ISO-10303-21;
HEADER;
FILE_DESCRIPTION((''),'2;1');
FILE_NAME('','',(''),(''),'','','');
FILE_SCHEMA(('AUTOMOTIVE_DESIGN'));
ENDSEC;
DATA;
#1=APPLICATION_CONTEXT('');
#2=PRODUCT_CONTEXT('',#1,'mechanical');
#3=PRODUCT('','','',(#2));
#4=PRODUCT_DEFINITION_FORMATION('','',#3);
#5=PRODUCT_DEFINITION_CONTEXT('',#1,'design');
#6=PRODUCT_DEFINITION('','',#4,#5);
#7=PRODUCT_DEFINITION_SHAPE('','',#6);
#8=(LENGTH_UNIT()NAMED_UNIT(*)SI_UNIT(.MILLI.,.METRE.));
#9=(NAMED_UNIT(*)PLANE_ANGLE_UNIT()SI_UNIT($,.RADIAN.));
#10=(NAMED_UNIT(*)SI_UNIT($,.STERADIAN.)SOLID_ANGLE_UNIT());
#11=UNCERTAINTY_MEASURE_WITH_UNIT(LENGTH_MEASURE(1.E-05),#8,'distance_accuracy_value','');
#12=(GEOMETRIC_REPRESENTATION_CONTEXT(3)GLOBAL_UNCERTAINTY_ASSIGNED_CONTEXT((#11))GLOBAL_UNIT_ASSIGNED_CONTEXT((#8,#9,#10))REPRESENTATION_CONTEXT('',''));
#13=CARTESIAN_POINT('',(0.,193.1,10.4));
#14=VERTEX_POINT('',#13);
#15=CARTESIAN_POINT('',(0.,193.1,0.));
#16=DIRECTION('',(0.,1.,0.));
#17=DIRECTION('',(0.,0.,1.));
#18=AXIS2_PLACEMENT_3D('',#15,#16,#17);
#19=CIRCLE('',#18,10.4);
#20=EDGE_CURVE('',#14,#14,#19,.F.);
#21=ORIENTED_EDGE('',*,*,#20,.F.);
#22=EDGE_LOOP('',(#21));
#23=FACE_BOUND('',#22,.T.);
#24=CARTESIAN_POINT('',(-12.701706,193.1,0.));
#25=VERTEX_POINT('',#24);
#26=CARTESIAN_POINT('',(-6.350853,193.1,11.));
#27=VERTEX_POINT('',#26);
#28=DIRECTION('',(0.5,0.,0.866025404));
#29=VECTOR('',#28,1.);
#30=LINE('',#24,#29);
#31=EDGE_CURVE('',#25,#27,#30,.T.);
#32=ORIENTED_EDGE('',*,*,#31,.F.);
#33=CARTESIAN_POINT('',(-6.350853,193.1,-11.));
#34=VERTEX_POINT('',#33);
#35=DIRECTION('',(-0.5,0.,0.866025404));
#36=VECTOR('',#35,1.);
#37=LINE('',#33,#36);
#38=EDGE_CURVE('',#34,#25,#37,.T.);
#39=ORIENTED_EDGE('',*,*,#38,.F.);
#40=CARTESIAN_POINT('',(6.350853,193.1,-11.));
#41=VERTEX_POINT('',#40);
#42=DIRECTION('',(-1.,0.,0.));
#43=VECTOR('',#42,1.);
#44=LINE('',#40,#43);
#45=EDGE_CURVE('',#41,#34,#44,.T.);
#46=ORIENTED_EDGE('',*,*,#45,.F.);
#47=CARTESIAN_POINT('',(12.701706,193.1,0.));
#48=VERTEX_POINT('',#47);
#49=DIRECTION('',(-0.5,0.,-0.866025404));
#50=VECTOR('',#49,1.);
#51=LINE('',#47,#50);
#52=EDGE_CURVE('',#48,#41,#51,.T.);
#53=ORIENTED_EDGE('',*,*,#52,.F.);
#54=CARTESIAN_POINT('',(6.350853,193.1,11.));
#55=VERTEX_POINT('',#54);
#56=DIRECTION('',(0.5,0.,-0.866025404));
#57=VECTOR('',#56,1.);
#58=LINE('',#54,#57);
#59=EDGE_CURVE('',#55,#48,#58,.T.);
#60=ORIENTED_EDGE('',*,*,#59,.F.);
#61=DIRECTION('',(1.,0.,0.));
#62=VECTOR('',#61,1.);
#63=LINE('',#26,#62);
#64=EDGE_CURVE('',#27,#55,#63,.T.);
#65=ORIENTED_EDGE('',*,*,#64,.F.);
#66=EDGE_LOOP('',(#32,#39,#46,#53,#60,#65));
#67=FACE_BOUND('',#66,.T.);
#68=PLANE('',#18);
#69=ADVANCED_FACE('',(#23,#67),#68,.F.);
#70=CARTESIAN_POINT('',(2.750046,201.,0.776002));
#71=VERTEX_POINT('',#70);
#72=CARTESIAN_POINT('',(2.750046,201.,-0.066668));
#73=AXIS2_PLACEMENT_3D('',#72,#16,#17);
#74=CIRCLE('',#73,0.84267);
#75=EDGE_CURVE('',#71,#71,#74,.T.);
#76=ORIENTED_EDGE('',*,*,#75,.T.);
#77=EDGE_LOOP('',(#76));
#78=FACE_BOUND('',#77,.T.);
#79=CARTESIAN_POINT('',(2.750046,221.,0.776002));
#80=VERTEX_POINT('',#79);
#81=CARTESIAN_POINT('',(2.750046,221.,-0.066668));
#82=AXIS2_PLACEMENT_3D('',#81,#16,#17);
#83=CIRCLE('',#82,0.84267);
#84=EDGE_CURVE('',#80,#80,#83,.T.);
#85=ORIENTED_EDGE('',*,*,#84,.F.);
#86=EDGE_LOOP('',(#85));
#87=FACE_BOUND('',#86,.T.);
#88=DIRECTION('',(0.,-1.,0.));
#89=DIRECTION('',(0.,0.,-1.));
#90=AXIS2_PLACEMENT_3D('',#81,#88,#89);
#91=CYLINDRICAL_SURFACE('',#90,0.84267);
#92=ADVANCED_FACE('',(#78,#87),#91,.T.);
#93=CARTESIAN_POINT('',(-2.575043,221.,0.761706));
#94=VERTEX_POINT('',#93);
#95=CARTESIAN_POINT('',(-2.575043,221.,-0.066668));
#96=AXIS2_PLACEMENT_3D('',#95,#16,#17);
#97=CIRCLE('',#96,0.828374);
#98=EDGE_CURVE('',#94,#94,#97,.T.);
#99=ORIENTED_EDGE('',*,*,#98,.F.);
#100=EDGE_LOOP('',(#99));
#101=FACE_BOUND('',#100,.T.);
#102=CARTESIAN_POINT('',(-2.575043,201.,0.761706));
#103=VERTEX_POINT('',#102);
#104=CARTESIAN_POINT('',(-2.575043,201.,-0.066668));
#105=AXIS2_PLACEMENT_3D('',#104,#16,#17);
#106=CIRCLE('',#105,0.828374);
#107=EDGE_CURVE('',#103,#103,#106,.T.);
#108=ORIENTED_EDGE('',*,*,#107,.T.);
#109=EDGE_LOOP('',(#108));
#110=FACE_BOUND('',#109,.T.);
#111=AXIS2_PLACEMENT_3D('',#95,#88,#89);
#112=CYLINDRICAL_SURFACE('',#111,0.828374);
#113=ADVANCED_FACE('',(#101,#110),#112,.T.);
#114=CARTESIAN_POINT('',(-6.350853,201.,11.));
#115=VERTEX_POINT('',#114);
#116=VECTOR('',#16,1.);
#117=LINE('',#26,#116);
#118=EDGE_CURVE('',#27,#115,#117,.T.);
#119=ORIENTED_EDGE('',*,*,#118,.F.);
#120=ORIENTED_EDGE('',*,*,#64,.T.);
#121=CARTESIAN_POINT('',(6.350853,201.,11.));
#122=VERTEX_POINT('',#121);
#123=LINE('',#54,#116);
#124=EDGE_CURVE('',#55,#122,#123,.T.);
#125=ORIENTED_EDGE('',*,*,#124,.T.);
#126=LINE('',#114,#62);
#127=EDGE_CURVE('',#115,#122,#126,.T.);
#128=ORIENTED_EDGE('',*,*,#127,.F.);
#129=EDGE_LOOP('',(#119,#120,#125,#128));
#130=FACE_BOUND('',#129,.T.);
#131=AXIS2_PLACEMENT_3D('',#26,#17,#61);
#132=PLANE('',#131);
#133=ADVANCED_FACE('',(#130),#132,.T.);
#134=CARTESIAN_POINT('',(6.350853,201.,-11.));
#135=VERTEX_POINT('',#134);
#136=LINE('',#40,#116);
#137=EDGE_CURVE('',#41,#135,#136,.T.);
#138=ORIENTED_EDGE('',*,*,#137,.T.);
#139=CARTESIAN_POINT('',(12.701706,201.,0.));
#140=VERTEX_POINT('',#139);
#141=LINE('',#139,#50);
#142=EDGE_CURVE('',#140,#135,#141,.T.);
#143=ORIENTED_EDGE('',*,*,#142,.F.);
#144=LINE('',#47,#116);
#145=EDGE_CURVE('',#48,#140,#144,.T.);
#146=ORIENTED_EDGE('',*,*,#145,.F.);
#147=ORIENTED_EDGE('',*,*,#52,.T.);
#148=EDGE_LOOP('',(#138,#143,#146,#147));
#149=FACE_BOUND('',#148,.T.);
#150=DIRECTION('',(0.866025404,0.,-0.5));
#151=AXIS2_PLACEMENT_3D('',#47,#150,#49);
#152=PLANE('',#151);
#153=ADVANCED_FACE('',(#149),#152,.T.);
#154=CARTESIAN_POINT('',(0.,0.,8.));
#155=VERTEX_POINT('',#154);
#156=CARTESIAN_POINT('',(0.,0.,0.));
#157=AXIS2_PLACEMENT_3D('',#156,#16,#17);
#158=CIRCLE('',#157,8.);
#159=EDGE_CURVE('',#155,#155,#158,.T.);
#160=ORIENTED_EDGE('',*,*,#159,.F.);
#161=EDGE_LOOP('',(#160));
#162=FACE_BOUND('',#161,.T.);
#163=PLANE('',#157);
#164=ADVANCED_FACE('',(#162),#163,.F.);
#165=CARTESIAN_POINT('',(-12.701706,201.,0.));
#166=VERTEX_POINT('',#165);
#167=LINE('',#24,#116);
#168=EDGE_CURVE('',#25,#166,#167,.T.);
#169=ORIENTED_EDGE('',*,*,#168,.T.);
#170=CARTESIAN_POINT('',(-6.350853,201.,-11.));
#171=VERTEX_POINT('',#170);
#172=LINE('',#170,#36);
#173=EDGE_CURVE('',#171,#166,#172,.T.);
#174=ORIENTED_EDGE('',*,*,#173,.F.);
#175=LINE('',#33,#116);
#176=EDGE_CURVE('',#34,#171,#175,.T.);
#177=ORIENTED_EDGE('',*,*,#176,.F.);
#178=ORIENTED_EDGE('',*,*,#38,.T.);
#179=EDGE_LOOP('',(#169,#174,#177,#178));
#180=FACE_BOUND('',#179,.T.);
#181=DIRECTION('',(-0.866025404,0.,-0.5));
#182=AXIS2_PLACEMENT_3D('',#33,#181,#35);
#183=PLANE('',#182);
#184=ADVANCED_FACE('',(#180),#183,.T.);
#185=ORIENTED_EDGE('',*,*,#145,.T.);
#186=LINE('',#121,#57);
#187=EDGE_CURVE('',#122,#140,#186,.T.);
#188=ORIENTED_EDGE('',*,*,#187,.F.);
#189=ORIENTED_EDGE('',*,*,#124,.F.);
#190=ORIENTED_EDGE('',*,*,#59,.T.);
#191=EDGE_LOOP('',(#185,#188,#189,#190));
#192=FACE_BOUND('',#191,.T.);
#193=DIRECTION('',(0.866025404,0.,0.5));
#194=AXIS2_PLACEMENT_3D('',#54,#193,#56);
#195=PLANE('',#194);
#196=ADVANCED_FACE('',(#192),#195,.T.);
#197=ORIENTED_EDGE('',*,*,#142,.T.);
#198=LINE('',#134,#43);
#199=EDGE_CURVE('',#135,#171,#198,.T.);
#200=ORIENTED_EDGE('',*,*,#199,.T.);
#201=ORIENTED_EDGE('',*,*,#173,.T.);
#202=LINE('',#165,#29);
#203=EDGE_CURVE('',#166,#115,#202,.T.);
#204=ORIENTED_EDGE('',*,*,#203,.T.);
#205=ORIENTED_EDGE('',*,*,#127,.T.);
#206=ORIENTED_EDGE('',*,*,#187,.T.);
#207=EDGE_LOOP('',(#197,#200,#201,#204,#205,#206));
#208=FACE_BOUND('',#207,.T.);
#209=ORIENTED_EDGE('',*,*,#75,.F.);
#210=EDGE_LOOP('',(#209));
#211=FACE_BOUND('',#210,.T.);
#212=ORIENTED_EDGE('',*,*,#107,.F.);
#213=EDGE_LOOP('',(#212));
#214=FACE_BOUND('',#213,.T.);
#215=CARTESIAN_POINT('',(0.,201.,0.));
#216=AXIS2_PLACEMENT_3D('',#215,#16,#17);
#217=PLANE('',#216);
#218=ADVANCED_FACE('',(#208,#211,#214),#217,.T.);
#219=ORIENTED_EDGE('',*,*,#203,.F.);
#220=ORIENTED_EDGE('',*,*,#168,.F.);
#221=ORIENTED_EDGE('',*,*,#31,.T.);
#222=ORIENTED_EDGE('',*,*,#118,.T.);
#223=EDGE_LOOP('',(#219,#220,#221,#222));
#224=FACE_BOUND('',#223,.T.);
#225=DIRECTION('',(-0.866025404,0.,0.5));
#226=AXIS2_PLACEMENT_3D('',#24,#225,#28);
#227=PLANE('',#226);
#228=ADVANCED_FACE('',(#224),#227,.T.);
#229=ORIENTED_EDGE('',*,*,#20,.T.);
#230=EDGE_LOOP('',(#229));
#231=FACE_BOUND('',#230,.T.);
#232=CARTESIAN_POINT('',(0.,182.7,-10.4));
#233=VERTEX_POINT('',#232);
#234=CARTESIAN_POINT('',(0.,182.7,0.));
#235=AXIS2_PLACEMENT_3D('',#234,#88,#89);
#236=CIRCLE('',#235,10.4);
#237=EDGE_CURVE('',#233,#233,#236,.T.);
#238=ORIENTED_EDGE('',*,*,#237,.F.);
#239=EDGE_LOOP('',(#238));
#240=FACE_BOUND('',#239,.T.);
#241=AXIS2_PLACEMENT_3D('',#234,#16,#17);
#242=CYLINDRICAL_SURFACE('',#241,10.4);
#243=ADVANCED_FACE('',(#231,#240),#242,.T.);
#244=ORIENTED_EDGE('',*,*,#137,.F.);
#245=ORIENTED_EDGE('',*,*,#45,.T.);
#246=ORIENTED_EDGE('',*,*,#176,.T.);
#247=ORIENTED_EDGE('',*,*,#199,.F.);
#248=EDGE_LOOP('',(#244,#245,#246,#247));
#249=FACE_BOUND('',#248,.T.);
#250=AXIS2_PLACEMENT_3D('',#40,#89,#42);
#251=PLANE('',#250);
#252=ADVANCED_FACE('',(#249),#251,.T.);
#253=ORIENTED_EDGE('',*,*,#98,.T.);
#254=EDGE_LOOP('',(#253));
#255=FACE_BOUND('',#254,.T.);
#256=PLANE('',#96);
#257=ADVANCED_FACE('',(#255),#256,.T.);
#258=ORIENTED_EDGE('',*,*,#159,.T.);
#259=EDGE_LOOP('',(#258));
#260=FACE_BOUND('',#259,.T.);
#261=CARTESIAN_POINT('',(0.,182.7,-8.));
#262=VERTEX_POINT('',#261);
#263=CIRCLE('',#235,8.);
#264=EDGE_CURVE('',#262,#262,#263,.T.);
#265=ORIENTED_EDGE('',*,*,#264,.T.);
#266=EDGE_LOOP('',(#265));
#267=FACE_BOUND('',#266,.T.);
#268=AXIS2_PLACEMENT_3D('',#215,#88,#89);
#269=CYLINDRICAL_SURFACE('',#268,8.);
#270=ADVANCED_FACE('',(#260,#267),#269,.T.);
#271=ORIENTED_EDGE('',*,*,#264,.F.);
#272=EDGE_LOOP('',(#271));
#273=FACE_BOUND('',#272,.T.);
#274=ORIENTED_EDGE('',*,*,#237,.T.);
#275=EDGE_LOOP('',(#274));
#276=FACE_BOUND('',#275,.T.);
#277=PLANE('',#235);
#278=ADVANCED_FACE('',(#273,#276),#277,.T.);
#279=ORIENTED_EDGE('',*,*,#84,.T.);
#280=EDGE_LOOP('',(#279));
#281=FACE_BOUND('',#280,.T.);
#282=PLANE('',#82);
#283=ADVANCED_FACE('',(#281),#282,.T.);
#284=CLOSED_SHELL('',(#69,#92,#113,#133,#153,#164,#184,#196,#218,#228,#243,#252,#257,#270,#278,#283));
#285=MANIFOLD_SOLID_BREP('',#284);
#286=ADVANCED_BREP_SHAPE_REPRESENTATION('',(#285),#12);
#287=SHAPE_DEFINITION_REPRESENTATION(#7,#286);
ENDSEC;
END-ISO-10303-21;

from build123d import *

# Parameters (mm, degrees)
SKETCH1_R           = 8
BOSS_EXTRUDE1_DEPTH = 201
SKETCH2_R           = 0.828373934
SKETCH2_R_2         = 0.842670195
BOSS_EXTRUDE2_DEPTH = 20
BOSS_EXTRUDE3_DEPTH = 7.9
BOSS_EXTRUDE4_START = 10.4
SKETCH4_R           = 10.4
SKETCH4_R_2         = 8
BOSS_EXTRUDE4_DEPTH = 10.4


with BuildPart() as part:
    # Sketch1 → Boss-Extrude1 (new body)
    with BuildSketch(Plane(origin=(0, 0, 0), x_dir=(1, 0, 0), z_dir=(0, 1, 0))):
        with Locations(Location((0, 0, 0), (0, 0, 270))):
            Circle(SKETCH1_R)
    extrude(amount=BOSS_EXTRUDE1_DEPTH)

    # Sketch2 → Boss-Extrude2 (add)
    with BuildSketch(Plane(origin=(0, 201, 0), x_dir=(1, 0, 0), z_dir=(0, 1, 0))):
        with Locations(Location((-2.575042815, 0.066667775, 0), (0, 0, 270))):
            Circle(SKETCH2_R)
        with Locations(Location((2.750045724, 0.066667775, 0), (0, 0, 270))):
            Circle(SKETCH2_R_2)
    extrude(amount=BOSS_EXTRUDE2_DEPTH)

    # Sketch3 → Boss-Extrude3 (add)
    with BuildSketch(Plane(origin=(0, 201, 0), x_dir=(1, 0, 0), z_dir=(0, 1, 0))):
        Polygon((12.701705922, 0), (6.350852961, 11), (-6.350852961, 11), (-12.701705922, 0), (-6.350852961, -11), (6.350852961, -11), align=None)
    extrude(amount=-BOSS_EXTRUDE3_DEPTH)

    # Sketch4 → Boss-Extrude4 (add)
    with BuildSketch(Plane.XZ.offset(-193.1).offset(BOSS_EXTRUDE4_START)):
        with Locations(Location((0, 0, 0), (0, 0, 90))):
            Circle(SKETCH4_R)
        with Locations(Location((0, 0, 0), (0, 0, 270))):
            Circle(SKETCH4_R_2, mode=Mode.SUBTRACT)
    extrude(amount=-BOSS_EXTRUDE4_DEPTH)


solid = part.part
